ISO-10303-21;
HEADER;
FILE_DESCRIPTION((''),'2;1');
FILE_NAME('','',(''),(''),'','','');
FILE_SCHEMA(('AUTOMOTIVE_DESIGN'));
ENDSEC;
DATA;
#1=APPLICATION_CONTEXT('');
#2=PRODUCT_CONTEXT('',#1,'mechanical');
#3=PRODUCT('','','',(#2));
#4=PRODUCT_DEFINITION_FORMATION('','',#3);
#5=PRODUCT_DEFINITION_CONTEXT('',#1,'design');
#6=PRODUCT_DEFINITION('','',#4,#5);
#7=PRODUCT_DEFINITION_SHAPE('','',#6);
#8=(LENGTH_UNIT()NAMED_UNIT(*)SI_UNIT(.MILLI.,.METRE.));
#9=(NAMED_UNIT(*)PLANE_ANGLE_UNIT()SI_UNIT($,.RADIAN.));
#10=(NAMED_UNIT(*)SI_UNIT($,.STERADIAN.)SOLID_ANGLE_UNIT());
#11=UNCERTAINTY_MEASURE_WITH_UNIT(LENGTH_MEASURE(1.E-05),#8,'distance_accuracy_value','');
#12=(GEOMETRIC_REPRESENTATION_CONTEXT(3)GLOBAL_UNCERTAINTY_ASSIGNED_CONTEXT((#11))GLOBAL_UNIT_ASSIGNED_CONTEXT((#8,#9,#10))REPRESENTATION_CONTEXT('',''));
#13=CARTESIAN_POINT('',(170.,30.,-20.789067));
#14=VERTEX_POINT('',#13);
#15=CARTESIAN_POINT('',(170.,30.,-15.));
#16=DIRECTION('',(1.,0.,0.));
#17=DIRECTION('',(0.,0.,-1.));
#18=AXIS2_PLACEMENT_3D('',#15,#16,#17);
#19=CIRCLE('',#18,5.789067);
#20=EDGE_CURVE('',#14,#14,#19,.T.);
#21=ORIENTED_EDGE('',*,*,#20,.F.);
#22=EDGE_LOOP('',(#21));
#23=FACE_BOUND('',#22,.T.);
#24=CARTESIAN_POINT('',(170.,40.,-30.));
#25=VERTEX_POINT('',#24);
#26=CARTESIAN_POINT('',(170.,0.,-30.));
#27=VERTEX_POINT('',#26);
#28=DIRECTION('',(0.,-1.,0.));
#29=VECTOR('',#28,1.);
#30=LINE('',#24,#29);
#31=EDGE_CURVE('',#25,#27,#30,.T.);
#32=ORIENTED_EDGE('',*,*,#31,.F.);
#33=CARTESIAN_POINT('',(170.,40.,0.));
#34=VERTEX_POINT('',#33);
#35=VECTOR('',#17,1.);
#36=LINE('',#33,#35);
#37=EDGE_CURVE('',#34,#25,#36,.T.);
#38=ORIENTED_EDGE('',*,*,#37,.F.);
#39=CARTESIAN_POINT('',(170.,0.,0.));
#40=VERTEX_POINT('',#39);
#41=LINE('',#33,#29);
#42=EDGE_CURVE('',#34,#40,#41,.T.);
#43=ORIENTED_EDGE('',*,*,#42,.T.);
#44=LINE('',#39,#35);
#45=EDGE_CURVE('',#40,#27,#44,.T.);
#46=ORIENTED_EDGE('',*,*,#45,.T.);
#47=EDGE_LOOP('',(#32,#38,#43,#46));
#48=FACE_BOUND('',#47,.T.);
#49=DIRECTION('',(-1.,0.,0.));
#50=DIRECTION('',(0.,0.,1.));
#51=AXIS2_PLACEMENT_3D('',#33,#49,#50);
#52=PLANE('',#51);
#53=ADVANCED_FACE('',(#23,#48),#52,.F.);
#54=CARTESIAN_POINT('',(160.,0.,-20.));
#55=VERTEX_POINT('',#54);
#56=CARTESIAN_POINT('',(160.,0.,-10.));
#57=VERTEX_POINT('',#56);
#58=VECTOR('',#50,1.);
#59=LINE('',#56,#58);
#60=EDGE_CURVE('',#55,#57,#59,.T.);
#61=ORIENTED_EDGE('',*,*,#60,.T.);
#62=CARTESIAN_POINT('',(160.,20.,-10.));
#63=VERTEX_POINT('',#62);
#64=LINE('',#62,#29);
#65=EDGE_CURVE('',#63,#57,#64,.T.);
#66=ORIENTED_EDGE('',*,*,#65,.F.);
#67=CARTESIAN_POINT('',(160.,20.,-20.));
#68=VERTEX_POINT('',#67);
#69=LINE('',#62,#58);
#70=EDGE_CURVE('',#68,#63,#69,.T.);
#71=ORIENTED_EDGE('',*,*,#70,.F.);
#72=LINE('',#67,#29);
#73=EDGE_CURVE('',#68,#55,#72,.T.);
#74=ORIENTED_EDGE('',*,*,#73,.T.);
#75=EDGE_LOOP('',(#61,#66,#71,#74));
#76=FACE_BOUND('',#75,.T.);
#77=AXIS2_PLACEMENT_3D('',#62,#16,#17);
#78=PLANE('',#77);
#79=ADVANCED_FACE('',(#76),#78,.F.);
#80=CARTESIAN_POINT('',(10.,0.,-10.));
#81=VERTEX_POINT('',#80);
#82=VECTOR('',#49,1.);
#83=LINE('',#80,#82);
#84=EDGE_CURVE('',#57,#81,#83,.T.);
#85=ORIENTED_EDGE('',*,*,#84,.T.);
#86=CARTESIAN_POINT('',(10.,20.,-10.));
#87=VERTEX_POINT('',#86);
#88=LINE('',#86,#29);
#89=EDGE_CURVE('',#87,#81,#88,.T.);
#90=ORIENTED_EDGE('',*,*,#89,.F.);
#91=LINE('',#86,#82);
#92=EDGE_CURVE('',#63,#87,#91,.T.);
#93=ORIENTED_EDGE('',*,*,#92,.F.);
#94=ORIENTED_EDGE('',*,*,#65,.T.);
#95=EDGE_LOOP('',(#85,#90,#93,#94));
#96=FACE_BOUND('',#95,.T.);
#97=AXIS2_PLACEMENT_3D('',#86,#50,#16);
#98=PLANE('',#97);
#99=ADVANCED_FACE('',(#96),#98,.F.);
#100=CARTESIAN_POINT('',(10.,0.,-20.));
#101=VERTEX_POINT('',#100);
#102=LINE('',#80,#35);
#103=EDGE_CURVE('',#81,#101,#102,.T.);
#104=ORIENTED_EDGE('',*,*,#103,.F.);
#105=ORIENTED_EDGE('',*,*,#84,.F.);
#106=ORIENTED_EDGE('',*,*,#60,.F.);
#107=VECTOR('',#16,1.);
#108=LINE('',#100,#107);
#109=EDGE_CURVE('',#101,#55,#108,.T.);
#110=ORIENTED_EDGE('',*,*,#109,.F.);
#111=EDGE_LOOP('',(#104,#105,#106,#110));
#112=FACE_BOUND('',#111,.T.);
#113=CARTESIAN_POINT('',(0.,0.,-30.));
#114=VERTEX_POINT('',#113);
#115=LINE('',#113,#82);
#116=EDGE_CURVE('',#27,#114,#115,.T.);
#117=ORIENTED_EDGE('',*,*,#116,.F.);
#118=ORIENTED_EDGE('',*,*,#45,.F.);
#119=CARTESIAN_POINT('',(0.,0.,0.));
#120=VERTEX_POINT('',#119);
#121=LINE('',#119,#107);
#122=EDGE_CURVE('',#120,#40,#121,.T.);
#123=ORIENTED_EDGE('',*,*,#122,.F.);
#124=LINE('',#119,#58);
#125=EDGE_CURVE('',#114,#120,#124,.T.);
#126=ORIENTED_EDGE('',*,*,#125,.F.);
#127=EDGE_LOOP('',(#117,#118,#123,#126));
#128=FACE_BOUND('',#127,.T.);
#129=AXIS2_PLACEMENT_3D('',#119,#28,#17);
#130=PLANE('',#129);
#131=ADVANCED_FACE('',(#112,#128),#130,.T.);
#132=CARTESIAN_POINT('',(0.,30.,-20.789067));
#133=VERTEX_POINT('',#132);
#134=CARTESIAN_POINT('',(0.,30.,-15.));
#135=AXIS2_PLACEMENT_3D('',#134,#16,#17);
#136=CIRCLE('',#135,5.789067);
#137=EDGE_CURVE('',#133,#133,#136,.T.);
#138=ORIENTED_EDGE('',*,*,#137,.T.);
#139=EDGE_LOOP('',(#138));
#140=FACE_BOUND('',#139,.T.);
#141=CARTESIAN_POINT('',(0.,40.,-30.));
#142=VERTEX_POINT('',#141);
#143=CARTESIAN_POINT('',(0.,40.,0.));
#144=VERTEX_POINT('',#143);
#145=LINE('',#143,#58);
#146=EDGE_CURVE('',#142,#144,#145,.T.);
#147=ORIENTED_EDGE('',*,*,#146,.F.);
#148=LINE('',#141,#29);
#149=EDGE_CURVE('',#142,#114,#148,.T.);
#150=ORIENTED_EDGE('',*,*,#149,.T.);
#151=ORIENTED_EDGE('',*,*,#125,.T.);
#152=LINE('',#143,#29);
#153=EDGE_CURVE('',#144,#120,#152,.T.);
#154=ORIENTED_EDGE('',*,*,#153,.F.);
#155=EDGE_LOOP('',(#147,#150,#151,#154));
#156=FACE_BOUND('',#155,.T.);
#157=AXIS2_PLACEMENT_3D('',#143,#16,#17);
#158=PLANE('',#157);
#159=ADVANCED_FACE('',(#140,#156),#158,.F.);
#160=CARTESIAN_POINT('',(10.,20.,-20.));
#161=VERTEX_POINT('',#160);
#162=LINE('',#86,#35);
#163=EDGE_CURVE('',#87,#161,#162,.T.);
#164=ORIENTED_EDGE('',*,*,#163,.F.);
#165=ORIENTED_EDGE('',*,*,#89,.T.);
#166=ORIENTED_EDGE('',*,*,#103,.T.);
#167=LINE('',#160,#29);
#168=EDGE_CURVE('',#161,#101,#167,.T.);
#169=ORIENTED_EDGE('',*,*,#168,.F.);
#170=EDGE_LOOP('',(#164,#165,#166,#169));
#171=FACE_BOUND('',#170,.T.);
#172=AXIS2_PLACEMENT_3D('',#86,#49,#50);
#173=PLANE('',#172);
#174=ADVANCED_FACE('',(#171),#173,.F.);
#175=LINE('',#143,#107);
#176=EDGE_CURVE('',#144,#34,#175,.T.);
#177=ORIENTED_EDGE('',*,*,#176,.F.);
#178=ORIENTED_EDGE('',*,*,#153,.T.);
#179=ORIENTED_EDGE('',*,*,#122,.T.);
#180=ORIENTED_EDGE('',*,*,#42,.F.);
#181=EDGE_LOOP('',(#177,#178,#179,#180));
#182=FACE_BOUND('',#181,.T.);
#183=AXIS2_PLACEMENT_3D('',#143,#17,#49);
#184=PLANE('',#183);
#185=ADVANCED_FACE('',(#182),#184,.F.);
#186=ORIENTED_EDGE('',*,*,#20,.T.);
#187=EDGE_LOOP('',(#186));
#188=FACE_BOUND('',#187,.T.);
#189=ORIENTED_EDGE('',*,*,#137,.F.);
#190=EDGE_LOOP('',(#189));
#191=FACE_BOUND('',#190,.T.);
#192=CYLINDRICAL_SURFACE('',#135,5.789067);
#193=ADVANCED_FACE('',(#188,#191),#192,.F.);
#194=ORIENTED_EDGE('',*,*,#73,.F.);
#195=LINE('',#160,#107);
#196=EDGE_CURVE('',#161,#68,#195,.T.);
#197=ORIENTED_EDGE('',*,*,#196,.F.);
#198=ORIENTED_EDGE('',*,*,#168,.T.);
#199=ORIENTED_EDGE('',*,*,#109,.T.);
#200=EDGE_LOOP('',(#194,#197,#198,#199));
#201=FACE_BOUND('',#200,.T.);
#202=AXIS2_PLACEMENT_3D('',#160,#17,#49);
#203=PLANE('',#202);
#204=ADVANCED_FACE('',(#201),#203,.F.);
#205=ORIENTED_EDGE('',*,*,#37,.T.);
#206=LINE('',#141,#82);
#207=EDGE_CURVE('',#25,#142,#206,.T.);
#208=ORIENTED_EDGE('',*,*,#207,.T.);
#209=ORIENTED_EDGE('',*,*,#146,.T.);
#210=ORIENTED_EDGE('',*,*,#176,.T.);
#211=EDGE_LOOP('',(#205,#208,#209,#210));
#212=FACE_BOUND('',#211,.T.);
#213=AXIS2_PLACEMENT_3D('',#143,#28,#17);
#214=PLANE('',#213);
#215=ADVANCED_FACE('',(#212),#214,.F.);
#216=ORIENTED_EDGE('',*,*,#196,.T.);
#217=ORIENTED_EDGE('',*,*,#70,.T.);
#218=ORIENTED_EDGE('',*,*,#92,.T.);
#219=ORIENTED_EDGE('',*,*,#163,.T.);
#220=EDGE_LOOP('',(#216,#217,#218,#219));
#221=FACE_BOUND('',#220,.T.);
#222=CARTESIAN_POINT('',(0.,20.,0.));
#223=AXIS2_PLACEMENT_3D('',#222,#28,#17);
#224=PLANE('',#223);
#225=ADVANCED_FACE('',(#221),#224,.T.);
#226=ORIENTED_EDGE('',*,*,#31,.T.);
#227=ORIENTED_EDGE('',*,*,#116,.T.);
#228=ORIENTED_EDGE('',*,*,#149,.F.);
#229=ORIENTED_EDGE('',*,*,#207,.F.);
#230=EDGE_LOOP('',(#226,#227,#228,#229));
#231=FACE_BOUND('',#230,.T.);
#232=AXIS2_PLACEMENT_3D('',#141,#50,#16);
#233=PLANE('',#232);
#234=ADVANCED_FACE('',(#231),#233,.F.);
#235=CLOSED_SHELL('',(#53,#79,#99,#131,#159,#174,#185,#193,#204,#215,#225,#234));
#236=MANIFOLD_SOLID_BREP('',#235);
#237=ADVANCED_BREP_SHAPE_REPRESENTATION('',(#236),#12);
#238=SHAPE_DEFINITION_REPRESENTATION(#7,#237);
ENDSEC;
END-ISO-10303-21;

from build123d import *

# Parameters (mm, degrees)
SKETCH2_W           = 170
SKETCH2_H           = 30
BOSS_EXTRUDE1_DEPTH = 40
SKETCH3_W           = 150
SKETCH3_H           = 10
CUT_EXTRUDE1_DEPTH  = 20
SKETCH4_R           = 5.789067321
CUT_EXTRUDE2_DEPTH  = 170


with BuildPart() as part:
    # Sketch2 → Boss-Extrude1 (new body)
    with BuildSketch(Plane(origin=(0, 0, 0), x_dir=(1, 0, 0), z_dir=(0, 1, 0))):
        with Locations((85, 15)):
            Rectangle(SKETCH2_W, SKETCH2_H)
    extrude(amount=BOSS_EXTRUDE1_DEPTH)

    # Sketch3 → Cut-Extrude1 (cut)
    with BuildSketch(Plane.XZ):
        with Locations((85, -15)):
            Rectangle(SKETCH3_W, SKETCH3_H)
    extrude(amount=-CUT_EXTRUDE1_DEPTH, mode=Mode.SUBTRACT)

    # Sketch4 → Cut-Extrude2 (cut)
    with BuildSketch(Plane(origin=(170, 0, 0), x_dir=(0, 0, -1), z_dir=(1, 0, 0))):
        with Locations((15, 30)):
            Circle(SKETCH4_R)
    extrude(amount=-CUT_EXTRUDE2_DEPTH, mode=Mode.SUBTRACT)


solid = part.part
